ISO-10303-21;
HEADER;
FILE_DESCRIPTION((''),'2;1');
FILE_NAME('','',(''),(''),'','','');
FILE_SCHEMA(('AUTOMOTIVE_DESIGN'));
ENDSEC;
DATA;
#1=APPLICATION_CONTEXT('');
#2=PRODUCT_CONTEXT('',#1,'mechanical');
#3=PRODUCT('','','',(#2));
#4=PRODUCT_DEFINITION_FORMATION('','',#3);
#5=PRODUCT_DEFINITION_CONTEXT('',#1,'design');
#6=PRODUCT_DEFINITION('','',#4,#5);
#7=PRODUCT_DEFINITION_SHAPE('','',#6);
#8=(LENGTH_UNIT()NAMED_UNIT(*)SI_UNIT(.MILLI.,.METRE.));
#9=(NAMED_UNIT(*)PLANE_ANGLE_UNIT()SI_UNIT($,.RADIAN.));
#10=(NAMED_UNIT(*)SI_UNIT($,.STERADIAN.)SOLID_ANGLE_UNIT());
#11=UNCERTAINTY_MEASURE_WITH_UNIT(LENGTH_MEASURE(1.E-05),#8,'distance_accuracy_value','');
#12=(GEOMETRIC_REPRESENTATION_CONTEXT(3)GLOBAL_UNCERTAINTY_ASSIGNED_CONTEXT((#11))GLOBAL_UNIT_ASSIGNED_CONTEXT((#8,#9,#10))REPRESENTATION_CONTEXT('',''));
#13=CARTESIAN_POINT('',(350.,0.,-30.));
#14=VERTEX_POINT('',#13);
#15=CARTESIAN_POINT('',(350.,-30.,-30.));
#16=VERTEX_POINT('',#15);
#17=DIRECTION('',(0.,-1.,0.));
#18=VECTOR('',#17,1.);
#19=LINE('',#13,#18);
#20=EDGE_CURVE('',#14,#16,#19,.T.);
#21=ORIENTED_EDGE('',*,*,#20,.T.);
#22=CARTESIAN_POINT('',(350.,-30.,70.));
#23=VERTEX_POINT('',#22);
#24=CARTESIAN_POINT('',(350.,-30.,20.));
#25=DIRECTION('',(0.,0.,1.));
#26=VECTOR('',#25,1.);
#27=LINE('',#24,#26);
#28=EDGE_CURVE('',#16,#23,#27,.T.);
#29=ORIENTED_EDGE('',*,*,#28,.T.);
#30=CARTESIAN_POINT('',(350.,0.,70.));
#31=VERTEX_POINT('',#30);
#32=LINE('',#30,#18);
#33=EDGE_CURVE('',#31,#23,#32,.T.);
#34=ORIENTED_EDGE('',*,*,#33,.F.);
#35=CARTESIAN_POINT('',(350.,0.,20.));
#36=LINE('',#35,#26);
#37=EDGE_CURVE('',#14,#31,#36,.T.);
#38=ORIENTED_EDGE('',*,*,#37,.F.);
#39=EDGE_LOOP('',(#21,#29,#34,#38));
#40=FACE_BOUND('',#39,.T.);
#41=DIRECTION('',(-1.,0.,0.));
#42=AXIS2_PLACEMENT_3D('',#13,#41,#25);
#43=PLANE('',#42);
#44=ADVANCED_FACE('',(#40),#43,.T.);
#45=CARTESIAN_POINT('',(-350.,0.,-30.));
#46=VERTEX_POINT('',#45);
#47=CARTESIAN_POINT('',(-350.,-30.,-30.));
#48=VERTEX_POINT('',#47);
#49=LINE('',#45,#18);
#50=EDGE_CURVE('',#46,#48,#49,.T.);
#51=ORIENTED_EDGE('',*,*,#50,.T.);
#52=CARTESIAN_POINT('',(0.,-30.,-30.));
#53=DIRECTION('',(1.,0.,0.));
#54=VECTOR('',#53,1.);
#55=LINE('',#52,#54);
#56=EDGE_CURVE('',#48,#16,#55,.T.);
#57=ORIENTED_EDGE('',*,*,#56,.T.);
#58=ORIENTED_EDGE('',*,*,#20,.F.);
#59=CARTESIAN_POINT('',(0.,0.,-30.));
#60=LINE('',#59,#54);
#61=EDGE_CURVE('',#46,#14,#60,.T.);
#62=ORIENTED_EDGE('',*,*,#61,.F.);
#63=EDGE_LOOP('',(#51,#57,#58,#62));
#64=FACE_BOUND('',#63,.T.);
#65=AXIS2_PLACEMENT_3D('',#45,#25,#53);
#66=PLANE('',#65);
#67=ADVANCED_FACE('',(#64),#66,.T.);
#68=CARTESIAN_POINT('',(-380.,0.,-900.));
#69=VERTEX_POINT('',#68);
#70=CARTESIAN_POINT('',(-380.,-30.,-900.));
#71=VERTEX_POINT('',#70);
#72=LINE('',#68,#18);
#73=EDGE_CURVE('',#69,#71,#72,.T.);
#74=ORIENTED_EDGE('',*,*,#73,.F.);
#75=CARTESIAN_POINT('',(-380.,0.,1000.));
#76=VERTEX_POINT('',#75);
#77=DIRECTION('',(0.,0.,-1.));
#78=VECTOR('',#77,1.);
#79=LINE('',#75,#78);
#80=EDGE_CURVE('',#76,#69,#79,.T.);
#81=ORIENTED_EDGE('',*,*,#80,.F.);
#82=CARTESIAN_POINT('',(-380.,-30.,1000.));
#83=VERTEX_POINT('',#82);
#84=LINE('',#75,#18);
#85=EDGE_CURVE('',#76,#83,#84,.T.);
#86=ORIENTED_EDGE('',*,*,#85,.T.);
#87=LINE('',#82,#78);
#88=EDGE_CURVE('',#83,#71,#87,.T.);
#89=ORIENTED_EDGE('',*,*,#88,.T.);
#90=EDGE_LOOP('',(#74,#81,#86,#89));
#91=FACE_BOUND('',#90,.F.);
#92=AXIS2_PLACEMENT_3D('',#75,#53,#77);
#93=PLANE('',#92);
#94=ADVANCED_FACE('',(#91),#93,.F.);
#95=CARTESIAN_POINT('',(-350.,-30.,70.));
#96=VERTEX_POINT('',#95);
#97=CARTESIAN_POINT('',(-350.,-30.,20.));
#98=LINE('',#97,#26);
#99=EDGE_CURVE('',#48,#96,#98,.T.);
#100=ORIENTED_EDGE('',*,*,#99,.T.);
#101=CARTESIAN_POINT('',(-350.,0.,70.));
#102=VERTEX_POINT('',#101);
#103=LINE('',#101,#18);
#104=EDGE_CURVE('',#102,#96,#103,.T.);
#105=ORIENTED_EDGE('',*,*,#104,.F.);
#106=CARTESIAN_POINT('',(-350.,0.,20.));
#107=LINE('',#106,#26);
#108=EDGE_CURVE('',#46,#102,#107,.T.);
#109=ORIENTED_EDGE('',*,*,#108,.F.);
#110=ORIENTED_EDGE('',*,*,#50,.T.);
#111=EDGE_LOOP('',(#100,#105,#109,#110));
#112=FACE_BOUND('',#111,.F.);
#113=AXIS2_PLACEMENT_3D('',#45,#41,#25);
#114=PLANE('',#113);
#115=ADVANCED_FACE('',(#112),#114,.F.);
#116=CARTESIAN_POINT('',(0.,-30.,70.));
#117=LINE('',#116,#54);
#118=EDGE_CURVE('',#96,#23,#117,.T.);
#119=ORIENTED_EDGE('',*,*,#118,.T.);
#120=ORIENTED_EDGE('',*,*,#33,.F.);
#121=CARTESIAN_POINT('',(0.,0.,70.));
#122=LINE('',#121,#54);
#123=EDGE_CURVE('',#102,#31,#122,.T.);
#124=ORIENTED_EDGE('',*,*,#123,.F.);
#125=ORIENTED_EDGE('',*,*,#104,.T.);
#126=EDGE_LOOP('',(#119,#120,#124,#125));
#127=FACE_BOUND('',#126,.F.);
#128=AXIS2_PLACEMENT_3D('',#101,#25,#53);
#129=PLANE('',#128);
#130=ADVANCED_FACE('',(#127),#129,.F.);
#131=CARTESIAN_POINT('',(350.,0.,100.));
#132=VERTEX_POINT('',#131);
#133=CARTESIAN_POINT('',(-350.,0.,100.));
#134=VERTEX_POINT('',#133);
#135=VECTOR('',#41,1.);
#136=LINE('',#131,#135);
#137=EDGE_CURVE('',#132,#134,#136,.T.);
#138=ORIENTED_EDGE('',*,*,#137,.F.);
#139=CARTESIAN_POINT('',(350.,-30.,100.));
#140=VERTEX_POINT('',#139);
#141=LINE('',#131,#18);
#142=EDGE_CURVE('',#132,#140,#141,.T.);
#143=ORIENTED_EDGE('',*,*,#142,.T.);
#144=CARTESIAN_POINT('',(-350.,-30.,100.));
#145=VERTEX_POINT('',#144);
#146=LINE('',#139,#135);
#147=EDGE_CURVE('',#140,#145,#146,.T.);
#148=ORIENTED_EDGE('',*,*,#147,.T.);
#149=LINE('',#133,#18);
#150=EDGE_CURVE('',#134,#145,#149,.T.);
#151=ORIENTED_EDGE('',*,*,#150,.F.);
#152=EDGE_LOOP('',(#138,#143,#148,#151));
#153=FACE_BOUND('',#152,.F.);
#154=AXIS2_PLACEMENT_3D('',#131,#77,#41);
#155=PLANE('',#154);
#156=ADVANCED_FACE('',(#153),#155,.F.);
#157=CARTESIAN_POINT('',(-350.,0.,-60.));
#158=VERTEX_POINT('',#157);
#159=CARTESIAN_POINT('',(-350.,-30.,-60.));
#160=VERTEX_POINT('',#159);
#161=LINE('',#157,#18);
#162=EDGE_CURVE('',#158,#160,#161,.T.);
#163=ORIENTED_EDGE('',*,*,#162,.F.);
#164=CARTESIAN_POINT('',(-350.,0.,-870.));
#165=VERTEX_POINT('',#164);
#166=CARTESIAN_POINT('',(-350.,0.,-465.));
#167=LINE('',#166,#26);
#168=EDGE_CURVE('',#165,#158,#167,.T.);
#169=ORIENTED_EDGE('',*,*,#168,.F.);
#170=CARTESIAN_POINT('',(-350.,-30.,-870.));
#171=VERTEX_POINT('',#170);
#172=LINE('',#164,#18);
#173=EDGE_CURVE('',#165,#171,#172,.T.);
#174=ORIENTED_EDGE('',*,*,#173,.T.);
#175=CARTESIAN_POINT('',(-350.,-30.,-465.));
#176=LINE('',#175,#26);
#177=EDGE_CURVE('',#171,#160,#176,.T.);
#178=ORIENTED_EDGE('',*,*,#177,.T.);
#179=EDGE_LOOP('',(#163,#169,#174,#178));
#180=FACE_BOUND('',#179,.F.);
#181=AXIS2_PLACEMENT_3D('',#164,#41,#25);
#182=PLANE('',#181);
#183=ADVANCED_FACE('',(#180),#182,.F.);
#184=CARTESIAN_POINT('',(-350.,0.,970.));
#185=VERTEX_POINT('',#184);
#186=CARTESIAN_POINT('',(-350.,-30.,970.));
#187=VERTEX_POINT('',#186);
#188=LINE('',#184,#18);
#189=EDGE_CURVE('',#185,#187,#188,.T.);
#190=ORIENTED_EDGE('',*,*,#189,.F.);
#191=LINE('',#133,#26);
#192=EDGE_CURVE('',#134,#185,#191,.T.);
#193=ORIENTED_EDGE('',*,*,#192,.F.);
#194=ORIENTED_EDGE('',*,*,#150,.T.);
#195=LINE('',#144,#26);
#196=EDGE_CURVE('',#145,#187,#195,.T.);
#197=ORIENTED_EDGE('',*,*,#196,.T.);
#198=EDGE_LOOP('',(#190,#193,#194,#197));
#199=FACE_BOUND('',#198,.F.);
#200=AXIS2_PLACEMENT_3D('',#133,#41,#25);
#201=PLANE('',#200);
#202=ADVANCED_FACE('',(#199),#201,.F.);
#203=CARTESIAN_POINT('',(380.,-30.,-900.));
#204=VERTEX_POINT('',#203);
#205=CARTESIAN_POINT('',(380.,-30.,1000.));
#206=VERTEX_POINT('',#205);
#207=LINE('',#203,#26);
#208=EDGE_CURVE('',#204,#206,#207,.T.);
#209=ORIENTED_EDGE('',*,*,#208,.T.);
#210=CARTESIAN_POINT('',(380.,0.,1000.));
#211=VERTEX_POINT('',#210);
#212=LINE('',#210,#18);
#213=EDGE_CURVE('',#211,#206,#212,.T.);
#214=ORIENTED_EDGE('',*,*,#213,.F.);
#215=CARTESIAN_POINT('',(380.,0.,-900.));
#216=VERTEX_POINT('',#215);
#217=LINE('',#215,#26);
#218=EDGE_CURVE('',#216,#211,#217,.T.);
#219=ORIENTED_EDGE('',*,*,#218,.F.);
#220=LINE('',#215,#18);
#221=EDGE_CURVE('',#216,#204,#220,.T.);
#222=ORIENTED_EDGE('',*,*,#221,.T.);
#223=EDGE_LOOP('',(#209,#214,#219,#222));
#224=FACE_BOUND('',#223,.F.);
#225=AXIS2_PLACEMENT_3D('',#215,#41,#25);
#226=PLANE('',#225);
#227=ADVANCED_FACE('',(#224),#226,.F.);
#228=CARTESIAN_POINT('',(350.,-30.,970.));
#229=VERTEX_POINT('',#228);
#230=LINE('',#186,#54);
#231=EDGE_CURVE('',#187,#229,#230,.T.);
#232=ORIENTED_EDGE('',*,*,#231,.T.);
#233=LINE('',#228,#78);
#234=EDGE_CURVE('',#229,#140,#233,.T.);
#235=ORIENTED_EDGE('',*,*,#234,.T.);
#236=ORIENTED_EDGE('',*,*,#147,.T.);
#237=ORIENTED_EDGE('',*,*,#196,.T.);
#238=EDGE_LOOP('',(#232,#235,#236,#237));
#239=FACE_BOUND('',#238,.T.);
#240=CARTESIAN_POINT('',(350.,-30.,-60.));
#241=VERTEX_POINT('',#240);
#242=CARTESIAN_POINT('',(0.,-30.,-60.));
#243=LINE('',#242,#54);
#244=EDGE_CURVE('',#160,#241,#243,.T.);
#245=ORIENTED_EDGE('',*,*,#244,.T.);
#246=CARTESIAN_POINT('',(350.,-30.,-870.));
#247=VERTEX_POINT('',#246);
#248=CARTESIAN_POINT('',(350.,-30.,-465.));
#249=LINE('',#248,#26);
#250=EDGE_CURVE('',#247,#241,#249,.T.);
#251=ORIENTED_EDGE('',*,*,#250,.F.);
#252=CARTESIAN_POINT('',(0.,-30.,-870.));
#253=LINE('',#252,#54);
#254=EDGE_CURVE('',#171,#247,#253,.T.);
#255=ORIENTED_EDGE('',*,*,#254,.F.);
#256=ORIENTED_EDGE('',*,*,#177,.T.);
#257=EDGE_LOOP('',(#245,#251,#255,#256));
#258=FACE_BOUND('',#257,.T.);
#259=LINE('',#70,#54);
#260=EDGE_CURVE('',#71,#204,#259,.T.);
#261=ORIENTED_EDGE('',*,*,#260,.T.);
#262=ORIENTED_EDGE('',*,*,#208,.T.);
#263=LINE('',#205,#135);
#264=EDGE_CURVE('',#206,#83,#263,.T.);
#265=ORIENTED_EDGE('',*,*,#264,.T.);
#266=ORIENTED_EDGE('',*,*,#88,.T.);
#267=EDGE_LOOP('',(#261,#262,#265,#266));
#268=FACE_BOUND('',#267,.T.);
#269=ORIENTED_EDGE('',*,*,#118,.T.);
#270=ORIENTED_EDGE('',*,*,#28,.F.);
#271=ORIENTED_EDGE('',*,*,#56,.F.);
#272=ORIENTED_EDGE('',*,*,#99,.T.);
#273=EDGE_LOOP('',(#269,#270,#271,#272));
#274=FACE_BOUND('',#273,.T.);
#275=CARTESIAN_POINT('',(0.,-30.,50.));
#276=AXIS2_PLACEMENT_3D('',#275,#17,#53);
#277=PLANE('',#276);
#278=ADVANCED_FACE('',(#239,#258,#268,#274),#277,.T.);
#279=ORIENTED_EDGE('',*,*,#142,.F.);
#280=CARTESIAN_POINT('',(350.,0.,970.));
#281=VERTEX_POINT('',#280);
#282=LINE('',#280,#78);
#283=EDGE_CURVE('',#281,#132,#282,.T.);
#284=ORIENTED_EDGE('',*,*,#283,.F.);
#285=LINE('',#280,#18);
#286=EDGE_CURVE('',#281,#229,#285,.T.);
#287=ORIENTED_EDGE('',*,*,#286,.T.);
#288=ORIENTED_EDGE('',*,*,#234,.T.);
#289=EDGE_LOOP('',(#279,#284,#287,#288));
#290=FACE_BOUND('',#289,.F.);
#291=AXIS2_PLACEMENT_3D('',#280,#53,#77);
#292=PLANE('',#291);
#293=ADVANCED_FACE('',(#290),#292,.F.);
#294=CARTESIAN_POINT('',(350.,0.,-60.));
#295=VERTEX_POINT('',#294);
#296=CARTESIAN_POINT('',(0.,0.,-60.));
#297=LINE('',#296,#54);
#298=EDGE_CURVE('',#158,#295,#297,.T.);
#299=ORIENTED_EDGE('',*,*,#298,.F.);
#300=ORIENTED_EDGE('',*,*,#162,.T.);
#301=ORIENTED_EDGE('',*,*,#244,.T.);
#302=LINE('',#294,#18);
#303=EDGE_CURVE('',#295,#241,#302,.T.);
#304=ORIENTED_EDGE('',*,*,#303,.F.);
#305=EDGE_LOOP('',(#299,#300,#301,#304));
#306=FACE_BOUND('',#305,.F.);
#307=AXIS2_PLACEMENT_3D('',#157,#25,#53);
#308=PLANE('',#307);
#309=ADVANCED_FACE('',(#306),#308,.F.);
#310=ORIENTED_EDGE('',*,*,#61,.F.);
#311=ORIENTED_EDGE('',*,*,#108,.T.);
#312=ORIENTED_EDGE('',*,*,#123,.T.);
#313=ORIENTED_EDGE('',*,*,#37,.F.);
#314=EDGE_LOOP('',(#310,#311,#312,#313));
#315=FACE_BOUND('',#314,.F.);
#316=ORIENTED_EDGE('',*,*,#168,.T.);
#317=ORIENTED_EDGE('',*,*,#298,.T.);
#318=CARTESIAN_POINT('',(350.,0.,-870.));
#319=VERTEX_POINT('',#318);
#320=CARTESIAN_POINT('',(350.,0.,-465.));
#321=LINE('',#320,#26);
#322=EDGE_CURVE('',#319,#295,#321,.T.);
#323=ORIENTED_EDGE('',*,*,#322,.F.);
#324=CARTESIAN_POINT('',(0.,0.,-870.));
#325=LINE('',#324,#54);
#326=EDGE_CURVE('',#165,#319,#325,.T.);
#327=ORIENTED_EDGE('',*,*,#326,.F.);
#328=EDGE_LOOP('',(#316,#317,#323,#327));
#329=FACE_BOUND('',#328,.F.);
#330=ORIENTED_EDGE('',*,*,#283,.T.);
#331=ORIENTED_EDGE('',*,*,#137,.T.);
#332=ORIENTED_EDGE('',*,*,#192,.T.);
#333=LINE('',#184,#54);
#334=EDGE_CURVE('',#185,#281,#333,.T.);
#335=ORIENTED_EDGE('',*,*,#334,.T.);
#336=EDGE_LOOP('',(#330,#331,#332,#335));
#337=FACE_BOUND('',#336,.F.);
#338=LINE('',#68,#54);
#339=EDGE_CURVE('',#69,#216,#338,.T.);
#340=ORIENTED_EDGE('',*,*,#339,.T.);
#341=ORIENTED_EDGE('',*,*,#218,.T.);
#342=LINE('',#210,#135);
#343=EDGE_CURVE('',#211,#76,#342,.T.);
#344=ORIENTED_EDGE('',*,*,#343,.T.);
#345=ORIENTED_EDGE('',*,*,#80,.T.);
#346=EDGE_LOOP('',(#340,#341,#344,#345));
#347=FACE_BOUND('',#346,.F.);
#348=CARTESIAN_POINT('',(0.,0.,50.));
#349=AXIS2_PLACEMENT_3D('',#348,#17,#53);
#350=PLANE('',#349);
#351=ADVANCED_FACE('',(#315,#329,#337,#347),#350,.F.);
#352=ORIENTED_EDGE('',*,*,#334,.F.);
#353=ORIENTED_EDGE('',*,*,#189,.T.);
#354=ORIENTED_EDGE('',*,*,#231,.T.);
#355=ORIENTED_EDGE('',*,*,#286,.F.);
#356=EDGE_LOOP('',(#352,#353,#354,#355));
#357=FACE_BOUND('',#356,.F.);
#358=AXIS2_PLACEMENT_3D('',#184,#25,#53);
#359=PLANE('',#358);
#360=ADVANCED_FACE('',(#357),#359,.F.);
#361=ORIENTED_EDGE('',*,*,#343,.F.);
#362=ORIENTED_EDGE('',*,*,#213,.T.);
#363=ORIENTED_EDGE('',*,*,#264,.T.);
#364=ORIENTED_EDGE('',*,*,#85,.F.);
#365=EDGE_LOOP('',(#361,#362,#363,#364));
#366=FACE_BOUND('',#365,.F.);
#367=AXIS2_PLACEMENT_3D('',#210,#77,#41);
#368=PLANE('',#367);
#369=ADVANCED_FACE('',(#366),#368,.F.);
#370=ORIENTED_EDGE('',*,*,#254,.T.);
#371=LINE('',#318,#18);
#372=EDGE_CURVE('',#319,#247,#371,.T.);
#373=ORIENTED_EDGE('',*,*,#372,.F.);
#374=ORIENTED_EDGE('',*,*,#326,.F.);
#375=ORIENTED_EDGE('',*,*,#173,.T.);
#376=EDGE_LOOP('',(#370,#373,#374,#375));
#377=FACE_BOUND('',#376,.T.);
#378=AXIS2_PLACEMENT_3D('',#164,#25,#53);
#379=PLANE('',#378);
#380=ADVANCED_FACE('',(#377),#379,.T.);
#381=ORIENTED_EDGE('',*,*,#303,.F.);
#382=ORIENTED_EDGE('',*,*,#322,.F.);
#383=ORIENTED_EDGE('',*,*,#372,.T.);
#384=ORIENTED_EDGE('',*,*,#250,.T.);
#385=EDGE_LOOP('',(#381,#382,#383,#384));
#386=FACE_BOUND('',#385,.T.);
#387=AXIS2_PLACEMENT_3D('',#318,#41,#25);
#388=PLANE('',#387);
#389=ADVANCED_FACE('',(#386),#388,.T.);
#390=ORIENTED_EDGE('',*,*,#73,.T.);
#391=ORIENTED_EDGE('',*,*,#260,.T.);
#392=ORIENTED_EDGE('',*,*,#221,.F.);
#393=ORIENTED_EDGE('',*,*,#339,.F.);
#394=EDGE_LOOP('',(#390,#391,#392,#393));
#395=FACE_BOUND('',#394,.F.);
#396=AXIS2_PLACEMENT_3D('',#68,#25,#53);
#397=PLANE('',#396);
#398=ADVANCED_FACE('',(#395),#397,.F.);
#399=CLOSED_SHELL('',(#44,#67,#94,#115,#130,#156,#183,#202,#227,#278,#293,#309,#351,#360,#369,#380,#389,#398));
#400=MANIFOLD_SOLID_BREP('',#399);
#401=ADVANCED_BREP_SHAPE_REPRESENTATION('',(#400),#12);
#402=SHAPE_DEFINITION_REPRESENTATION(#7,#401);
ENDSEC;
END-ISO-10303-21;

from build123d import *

# Parameters (mm, degrees)
F0_W     = 700
F0_H     = 810
F0_H_2   = 100
F1_DEPTH = 30


with BuildPart() as f1:
    # F0 (on Front) → F1 (new body)
    with BuildSketch(Plane.XZ):
        Polygon((-380, -900), (380, -900), (380, 900), (380, 1000), (-380, 1000), (-380, 900), align=None)
        with Locations((0, -465)):
            Rectangle(F0_W, F0_H, mode=Mode.SUBTRACT)
        with Locations((0, 20)):
            Rectangle(F0_W, F0_H_2, mode=Mode.SUBTRACT)
        Polygon((350, 970), (350, 870), (350, 100), (-350, 100), (-350, 870), (-350, 970), align=None, mode=Mode.SUBTRACT)
    extrude(amount=F1_DEPTH)


solid = f1.part
